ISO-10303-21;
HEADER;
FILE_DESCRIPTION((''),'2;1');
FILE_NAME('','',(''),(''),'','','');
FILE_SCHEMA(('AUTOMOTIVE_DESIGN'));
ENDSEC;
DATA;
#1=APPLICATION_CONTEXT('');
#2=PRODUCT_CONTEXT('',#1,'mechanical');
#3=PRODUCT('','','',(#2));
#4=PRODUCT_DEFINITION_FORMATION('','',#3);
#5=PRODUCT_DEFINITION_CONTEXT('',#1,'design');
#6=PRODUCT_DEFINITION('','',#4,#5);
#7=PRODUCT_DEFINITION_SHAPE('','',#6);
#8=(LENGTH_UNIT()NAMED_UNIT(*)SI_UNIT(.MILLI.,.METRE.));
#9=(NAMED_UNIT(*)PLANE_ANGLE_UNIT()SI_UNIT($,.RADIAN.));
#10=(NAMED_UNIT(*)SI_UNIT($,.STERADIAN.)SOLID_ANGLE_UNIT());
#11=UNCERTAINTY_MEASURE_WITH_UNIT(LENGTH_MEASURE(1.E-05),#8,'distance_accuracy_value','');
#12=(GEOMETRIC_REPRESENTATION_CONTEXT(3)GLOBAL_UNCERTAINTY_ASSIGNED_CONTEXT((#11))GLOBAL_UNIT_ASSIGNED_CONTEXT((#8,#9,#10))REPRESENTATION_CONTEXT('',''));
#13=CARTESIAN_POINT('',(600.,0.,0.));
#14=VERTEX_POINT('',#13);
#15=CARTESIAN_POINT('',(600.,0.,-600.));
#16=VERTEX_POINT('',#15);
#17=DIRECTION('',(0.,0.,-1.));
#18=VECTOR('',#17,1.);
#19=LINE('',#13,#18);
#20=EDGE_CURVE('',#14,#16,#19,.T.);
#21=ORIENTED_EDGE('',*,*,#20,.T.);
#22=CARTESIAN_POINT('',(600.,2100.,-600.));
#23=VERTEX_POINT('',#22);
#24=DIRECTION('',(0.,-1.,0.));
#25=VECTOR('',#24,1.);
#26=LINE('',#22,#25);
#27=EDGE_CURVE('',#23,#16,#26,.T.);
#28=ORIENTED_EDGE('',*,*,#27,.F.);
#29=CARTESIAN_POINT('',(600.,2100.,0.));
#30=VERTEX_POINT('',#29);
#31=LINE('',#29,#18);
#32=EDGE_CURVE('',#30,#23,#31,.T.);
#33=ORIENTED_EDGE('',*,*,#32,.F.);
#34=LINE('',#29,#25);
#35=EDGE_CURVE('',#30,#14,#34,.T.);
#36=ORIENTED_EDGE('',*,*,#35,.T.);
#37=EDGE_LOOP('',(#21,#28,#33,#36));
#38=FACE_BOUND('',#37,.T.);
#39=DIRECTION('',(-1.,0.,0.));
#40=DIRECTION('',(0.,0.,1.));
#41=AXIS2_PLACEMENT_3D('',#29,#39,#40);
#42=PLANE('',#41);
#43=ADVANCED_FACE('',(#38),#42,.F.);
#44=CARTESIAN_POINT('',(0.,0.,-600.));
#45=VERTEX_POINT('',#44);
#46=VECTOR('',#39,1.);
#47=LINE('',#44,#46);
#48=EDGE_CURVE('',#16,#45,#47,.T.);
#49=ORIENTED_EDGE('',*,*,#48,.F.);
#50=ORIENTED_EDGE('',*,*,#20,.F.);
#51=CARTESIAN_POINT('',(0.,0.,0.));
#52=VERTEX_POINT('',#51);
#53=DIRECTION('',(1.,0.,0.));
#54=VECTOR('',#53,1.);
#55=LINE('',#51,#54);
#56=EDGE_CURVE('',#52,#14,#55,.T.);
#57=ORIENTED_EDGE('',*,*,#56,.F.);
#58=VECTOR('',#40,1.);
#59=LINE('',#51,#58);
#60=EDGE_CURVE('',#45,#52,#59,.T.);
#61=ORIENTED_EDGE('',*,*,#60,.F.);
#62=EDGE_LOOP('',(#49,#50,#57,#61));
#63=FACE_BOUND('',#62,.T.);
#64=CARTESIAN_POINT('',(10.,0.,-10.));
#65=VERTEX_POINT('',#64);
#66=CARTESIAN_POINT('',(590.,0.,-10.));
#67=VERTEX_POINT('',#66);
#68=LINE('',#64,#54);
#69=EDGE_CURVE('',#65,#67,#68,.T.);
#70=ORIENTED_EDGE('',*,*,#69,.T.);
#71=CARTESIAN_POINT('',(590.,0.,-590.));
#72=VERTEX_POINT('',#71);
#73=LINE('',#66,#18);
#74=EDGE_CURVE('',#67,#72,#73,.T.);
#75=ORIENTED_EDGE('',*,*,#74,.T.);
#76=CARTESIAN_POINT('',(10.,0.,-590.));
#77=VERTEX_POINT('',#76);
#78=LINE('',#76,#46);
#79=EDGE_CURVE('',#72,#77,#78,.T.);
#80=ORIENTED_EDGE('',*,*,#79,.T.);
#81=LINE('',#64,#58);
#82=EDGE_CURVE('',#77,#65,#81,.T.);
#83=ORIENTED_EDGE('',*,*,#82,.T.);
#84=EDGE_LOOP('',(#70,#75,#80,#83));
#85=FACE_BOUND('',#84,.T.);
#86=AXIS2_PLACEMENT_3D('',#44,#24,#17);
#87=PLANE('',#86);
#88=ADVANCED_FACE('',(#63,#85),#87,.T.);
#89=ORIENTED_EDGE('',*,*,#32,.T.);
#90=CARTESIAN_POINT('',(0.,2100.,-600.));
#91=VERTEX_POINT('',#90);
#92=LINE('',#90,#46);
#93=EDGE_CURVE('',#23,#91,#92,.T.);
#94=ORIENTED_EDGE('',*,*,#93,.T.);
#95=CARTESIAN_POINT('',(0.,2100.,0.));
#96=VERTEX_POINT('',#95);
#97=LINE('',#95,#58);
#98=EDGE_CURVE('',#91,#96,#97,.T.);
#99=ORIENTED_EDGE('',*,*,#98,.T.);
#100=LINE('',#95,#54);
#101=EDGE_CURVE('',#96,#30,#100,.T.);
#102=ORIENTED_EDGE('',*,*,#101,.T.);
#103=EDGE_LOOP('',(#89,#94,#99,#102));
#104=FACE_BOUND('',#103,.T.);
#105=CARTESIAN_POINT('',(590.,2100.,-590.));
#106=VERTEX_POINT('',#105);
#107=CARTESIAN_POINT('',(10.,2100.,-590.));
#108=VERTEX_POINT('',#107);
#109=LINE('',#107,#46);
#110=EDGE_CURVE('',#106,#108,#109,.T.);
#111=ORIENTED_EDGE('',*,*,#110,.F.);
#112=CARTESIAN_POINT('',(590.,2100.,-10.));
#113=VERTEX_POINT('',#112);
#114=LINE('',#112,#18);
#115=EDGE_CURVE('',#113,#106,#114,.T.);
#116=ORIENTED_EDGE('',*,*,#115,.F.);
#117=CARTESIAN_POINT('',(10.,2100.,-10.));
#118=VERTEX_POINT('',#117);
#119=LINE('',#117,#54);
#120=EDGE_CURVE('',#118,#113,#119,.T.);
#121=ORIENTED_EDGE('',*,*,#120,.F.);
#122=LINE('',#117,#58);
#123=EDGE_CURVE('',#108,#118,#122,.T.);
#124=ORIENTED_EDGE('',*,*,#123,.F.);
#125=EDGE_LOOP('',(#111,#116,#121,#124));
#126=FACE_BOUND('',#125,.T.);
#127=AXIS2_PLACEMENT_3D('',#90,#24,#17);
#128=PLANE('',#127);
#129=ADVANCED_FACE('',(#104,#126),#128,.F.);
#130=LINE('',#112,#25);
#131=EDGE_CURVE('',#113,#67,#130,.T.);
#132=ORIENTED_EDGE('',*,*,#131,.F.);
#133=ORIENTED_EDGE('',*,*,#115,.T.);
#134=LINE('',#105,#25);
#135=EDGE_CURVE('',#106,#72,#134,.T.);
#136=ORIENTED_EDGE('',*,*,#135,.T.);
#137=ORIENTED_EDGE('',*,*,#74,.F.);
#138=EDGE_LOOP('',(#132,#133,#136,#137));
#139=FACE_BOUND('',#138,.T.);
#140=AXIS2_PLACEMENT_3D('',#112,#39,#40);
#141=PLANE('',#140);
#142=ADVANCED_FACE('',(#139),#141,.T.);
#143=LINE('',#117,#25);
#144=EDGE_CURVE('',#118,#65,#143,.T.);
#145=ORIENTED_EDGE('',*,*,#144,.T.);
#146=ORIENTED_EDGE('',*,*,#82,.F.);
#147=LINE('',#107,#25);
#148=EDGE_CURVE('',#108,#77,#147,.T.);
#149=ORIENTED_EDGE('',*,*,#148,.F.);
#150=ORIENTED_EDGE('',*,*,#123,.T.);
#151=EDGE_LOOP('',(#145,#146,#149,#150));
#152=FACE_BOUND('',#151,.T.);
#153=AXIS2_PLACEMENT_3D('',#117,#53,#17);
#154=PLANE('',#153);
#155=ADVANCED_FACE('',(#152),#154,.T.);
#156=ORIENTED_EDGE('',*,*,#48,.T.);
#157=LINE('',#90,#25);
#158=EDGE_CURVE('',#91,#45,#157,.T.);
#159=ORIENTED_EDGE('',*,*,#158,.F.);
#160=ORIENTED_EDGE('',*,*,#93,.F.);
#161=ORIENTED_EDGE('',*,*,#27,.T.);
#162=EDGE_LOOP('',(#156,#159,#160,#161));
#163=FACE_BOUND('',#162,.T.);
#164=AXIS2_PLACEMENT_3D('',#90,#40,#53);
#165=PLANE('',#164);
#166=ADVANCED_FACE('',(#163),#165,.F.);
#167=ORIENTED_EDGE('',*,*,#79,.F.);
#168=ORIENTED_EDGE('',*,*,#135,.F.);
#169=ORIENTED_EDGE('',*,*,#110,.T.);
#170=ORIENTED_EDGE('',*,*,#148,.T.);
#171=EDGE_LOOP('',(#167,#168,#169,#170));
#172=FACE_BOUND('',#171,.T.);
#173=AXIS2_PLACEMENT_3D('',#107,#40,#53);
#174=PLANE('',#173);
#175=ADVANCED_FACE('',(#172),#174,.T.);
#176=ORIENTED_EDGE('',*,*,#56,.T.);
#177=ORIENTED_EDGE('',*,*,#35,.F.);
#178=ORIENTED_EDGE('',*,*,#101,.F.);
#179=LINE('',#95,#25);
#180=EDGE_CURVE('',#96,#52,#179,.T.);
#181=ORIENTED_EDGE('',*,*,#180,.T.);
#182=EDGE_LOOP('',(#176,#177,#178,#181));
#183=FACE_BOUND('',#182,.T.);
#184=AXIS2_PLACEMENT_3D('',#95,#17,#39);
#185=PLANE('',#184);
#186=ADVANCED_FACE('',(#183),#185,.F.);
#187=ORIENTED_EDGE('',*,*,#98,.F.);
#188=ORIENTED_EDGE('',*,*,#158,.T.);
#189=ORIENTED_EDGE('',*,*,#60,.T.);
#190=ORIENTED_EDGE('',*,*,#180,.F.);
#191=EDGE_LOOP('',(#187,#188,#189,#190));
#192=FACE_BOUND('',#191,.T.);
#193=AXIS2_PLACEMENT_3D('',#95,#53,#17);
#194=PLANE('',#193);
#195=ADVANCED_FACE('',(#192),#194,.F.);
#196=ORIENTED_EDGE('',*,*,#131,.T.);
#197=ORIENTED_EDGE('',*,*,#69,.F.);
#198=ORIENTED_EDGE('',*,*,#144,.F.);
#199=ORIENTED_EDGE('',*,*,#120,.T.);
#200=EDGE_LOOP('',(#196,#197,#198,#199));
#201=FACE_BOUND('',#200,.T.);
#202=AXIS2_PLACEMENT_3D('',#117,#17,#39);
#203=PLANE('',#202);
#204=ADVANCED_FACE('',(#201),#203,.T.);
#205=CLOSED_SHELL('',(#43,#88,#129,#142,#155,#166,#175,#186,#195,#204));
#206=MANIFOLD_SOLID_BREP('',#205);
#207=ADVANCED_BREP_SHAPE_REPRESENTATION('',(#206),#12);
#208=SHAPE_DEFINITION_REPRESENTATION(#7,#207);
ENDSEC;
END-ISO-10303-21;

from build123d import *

# Parameters (mm, degrees)
SKETCH1_W      = 600
SKETCH1_H      = 600
SKETCH1_W_2    = 580
SKETCH1_H_2    = 580
EXTRUDE1_DEPTH = 2100


with BuildPart() as part:
    # Sketch1 → Extrude1 (new body)
    with BuildSketch(Plane(origin=(0, 0, 0), x_dir=(1, 0, 0), z_dir=(0, 1, 0))):
        with Locations((300, 300)):
            Rectangle(SKETCH1_W, SKETCH1_H)
        with Locations((300, 300)):
            Rectangle(SKETCH1_W_2, SKETCH1_H_2, mode=Mode.SUBTRACT)
    extrude(amount=EXTRUDE1_DEPTH)


solid = part.part
